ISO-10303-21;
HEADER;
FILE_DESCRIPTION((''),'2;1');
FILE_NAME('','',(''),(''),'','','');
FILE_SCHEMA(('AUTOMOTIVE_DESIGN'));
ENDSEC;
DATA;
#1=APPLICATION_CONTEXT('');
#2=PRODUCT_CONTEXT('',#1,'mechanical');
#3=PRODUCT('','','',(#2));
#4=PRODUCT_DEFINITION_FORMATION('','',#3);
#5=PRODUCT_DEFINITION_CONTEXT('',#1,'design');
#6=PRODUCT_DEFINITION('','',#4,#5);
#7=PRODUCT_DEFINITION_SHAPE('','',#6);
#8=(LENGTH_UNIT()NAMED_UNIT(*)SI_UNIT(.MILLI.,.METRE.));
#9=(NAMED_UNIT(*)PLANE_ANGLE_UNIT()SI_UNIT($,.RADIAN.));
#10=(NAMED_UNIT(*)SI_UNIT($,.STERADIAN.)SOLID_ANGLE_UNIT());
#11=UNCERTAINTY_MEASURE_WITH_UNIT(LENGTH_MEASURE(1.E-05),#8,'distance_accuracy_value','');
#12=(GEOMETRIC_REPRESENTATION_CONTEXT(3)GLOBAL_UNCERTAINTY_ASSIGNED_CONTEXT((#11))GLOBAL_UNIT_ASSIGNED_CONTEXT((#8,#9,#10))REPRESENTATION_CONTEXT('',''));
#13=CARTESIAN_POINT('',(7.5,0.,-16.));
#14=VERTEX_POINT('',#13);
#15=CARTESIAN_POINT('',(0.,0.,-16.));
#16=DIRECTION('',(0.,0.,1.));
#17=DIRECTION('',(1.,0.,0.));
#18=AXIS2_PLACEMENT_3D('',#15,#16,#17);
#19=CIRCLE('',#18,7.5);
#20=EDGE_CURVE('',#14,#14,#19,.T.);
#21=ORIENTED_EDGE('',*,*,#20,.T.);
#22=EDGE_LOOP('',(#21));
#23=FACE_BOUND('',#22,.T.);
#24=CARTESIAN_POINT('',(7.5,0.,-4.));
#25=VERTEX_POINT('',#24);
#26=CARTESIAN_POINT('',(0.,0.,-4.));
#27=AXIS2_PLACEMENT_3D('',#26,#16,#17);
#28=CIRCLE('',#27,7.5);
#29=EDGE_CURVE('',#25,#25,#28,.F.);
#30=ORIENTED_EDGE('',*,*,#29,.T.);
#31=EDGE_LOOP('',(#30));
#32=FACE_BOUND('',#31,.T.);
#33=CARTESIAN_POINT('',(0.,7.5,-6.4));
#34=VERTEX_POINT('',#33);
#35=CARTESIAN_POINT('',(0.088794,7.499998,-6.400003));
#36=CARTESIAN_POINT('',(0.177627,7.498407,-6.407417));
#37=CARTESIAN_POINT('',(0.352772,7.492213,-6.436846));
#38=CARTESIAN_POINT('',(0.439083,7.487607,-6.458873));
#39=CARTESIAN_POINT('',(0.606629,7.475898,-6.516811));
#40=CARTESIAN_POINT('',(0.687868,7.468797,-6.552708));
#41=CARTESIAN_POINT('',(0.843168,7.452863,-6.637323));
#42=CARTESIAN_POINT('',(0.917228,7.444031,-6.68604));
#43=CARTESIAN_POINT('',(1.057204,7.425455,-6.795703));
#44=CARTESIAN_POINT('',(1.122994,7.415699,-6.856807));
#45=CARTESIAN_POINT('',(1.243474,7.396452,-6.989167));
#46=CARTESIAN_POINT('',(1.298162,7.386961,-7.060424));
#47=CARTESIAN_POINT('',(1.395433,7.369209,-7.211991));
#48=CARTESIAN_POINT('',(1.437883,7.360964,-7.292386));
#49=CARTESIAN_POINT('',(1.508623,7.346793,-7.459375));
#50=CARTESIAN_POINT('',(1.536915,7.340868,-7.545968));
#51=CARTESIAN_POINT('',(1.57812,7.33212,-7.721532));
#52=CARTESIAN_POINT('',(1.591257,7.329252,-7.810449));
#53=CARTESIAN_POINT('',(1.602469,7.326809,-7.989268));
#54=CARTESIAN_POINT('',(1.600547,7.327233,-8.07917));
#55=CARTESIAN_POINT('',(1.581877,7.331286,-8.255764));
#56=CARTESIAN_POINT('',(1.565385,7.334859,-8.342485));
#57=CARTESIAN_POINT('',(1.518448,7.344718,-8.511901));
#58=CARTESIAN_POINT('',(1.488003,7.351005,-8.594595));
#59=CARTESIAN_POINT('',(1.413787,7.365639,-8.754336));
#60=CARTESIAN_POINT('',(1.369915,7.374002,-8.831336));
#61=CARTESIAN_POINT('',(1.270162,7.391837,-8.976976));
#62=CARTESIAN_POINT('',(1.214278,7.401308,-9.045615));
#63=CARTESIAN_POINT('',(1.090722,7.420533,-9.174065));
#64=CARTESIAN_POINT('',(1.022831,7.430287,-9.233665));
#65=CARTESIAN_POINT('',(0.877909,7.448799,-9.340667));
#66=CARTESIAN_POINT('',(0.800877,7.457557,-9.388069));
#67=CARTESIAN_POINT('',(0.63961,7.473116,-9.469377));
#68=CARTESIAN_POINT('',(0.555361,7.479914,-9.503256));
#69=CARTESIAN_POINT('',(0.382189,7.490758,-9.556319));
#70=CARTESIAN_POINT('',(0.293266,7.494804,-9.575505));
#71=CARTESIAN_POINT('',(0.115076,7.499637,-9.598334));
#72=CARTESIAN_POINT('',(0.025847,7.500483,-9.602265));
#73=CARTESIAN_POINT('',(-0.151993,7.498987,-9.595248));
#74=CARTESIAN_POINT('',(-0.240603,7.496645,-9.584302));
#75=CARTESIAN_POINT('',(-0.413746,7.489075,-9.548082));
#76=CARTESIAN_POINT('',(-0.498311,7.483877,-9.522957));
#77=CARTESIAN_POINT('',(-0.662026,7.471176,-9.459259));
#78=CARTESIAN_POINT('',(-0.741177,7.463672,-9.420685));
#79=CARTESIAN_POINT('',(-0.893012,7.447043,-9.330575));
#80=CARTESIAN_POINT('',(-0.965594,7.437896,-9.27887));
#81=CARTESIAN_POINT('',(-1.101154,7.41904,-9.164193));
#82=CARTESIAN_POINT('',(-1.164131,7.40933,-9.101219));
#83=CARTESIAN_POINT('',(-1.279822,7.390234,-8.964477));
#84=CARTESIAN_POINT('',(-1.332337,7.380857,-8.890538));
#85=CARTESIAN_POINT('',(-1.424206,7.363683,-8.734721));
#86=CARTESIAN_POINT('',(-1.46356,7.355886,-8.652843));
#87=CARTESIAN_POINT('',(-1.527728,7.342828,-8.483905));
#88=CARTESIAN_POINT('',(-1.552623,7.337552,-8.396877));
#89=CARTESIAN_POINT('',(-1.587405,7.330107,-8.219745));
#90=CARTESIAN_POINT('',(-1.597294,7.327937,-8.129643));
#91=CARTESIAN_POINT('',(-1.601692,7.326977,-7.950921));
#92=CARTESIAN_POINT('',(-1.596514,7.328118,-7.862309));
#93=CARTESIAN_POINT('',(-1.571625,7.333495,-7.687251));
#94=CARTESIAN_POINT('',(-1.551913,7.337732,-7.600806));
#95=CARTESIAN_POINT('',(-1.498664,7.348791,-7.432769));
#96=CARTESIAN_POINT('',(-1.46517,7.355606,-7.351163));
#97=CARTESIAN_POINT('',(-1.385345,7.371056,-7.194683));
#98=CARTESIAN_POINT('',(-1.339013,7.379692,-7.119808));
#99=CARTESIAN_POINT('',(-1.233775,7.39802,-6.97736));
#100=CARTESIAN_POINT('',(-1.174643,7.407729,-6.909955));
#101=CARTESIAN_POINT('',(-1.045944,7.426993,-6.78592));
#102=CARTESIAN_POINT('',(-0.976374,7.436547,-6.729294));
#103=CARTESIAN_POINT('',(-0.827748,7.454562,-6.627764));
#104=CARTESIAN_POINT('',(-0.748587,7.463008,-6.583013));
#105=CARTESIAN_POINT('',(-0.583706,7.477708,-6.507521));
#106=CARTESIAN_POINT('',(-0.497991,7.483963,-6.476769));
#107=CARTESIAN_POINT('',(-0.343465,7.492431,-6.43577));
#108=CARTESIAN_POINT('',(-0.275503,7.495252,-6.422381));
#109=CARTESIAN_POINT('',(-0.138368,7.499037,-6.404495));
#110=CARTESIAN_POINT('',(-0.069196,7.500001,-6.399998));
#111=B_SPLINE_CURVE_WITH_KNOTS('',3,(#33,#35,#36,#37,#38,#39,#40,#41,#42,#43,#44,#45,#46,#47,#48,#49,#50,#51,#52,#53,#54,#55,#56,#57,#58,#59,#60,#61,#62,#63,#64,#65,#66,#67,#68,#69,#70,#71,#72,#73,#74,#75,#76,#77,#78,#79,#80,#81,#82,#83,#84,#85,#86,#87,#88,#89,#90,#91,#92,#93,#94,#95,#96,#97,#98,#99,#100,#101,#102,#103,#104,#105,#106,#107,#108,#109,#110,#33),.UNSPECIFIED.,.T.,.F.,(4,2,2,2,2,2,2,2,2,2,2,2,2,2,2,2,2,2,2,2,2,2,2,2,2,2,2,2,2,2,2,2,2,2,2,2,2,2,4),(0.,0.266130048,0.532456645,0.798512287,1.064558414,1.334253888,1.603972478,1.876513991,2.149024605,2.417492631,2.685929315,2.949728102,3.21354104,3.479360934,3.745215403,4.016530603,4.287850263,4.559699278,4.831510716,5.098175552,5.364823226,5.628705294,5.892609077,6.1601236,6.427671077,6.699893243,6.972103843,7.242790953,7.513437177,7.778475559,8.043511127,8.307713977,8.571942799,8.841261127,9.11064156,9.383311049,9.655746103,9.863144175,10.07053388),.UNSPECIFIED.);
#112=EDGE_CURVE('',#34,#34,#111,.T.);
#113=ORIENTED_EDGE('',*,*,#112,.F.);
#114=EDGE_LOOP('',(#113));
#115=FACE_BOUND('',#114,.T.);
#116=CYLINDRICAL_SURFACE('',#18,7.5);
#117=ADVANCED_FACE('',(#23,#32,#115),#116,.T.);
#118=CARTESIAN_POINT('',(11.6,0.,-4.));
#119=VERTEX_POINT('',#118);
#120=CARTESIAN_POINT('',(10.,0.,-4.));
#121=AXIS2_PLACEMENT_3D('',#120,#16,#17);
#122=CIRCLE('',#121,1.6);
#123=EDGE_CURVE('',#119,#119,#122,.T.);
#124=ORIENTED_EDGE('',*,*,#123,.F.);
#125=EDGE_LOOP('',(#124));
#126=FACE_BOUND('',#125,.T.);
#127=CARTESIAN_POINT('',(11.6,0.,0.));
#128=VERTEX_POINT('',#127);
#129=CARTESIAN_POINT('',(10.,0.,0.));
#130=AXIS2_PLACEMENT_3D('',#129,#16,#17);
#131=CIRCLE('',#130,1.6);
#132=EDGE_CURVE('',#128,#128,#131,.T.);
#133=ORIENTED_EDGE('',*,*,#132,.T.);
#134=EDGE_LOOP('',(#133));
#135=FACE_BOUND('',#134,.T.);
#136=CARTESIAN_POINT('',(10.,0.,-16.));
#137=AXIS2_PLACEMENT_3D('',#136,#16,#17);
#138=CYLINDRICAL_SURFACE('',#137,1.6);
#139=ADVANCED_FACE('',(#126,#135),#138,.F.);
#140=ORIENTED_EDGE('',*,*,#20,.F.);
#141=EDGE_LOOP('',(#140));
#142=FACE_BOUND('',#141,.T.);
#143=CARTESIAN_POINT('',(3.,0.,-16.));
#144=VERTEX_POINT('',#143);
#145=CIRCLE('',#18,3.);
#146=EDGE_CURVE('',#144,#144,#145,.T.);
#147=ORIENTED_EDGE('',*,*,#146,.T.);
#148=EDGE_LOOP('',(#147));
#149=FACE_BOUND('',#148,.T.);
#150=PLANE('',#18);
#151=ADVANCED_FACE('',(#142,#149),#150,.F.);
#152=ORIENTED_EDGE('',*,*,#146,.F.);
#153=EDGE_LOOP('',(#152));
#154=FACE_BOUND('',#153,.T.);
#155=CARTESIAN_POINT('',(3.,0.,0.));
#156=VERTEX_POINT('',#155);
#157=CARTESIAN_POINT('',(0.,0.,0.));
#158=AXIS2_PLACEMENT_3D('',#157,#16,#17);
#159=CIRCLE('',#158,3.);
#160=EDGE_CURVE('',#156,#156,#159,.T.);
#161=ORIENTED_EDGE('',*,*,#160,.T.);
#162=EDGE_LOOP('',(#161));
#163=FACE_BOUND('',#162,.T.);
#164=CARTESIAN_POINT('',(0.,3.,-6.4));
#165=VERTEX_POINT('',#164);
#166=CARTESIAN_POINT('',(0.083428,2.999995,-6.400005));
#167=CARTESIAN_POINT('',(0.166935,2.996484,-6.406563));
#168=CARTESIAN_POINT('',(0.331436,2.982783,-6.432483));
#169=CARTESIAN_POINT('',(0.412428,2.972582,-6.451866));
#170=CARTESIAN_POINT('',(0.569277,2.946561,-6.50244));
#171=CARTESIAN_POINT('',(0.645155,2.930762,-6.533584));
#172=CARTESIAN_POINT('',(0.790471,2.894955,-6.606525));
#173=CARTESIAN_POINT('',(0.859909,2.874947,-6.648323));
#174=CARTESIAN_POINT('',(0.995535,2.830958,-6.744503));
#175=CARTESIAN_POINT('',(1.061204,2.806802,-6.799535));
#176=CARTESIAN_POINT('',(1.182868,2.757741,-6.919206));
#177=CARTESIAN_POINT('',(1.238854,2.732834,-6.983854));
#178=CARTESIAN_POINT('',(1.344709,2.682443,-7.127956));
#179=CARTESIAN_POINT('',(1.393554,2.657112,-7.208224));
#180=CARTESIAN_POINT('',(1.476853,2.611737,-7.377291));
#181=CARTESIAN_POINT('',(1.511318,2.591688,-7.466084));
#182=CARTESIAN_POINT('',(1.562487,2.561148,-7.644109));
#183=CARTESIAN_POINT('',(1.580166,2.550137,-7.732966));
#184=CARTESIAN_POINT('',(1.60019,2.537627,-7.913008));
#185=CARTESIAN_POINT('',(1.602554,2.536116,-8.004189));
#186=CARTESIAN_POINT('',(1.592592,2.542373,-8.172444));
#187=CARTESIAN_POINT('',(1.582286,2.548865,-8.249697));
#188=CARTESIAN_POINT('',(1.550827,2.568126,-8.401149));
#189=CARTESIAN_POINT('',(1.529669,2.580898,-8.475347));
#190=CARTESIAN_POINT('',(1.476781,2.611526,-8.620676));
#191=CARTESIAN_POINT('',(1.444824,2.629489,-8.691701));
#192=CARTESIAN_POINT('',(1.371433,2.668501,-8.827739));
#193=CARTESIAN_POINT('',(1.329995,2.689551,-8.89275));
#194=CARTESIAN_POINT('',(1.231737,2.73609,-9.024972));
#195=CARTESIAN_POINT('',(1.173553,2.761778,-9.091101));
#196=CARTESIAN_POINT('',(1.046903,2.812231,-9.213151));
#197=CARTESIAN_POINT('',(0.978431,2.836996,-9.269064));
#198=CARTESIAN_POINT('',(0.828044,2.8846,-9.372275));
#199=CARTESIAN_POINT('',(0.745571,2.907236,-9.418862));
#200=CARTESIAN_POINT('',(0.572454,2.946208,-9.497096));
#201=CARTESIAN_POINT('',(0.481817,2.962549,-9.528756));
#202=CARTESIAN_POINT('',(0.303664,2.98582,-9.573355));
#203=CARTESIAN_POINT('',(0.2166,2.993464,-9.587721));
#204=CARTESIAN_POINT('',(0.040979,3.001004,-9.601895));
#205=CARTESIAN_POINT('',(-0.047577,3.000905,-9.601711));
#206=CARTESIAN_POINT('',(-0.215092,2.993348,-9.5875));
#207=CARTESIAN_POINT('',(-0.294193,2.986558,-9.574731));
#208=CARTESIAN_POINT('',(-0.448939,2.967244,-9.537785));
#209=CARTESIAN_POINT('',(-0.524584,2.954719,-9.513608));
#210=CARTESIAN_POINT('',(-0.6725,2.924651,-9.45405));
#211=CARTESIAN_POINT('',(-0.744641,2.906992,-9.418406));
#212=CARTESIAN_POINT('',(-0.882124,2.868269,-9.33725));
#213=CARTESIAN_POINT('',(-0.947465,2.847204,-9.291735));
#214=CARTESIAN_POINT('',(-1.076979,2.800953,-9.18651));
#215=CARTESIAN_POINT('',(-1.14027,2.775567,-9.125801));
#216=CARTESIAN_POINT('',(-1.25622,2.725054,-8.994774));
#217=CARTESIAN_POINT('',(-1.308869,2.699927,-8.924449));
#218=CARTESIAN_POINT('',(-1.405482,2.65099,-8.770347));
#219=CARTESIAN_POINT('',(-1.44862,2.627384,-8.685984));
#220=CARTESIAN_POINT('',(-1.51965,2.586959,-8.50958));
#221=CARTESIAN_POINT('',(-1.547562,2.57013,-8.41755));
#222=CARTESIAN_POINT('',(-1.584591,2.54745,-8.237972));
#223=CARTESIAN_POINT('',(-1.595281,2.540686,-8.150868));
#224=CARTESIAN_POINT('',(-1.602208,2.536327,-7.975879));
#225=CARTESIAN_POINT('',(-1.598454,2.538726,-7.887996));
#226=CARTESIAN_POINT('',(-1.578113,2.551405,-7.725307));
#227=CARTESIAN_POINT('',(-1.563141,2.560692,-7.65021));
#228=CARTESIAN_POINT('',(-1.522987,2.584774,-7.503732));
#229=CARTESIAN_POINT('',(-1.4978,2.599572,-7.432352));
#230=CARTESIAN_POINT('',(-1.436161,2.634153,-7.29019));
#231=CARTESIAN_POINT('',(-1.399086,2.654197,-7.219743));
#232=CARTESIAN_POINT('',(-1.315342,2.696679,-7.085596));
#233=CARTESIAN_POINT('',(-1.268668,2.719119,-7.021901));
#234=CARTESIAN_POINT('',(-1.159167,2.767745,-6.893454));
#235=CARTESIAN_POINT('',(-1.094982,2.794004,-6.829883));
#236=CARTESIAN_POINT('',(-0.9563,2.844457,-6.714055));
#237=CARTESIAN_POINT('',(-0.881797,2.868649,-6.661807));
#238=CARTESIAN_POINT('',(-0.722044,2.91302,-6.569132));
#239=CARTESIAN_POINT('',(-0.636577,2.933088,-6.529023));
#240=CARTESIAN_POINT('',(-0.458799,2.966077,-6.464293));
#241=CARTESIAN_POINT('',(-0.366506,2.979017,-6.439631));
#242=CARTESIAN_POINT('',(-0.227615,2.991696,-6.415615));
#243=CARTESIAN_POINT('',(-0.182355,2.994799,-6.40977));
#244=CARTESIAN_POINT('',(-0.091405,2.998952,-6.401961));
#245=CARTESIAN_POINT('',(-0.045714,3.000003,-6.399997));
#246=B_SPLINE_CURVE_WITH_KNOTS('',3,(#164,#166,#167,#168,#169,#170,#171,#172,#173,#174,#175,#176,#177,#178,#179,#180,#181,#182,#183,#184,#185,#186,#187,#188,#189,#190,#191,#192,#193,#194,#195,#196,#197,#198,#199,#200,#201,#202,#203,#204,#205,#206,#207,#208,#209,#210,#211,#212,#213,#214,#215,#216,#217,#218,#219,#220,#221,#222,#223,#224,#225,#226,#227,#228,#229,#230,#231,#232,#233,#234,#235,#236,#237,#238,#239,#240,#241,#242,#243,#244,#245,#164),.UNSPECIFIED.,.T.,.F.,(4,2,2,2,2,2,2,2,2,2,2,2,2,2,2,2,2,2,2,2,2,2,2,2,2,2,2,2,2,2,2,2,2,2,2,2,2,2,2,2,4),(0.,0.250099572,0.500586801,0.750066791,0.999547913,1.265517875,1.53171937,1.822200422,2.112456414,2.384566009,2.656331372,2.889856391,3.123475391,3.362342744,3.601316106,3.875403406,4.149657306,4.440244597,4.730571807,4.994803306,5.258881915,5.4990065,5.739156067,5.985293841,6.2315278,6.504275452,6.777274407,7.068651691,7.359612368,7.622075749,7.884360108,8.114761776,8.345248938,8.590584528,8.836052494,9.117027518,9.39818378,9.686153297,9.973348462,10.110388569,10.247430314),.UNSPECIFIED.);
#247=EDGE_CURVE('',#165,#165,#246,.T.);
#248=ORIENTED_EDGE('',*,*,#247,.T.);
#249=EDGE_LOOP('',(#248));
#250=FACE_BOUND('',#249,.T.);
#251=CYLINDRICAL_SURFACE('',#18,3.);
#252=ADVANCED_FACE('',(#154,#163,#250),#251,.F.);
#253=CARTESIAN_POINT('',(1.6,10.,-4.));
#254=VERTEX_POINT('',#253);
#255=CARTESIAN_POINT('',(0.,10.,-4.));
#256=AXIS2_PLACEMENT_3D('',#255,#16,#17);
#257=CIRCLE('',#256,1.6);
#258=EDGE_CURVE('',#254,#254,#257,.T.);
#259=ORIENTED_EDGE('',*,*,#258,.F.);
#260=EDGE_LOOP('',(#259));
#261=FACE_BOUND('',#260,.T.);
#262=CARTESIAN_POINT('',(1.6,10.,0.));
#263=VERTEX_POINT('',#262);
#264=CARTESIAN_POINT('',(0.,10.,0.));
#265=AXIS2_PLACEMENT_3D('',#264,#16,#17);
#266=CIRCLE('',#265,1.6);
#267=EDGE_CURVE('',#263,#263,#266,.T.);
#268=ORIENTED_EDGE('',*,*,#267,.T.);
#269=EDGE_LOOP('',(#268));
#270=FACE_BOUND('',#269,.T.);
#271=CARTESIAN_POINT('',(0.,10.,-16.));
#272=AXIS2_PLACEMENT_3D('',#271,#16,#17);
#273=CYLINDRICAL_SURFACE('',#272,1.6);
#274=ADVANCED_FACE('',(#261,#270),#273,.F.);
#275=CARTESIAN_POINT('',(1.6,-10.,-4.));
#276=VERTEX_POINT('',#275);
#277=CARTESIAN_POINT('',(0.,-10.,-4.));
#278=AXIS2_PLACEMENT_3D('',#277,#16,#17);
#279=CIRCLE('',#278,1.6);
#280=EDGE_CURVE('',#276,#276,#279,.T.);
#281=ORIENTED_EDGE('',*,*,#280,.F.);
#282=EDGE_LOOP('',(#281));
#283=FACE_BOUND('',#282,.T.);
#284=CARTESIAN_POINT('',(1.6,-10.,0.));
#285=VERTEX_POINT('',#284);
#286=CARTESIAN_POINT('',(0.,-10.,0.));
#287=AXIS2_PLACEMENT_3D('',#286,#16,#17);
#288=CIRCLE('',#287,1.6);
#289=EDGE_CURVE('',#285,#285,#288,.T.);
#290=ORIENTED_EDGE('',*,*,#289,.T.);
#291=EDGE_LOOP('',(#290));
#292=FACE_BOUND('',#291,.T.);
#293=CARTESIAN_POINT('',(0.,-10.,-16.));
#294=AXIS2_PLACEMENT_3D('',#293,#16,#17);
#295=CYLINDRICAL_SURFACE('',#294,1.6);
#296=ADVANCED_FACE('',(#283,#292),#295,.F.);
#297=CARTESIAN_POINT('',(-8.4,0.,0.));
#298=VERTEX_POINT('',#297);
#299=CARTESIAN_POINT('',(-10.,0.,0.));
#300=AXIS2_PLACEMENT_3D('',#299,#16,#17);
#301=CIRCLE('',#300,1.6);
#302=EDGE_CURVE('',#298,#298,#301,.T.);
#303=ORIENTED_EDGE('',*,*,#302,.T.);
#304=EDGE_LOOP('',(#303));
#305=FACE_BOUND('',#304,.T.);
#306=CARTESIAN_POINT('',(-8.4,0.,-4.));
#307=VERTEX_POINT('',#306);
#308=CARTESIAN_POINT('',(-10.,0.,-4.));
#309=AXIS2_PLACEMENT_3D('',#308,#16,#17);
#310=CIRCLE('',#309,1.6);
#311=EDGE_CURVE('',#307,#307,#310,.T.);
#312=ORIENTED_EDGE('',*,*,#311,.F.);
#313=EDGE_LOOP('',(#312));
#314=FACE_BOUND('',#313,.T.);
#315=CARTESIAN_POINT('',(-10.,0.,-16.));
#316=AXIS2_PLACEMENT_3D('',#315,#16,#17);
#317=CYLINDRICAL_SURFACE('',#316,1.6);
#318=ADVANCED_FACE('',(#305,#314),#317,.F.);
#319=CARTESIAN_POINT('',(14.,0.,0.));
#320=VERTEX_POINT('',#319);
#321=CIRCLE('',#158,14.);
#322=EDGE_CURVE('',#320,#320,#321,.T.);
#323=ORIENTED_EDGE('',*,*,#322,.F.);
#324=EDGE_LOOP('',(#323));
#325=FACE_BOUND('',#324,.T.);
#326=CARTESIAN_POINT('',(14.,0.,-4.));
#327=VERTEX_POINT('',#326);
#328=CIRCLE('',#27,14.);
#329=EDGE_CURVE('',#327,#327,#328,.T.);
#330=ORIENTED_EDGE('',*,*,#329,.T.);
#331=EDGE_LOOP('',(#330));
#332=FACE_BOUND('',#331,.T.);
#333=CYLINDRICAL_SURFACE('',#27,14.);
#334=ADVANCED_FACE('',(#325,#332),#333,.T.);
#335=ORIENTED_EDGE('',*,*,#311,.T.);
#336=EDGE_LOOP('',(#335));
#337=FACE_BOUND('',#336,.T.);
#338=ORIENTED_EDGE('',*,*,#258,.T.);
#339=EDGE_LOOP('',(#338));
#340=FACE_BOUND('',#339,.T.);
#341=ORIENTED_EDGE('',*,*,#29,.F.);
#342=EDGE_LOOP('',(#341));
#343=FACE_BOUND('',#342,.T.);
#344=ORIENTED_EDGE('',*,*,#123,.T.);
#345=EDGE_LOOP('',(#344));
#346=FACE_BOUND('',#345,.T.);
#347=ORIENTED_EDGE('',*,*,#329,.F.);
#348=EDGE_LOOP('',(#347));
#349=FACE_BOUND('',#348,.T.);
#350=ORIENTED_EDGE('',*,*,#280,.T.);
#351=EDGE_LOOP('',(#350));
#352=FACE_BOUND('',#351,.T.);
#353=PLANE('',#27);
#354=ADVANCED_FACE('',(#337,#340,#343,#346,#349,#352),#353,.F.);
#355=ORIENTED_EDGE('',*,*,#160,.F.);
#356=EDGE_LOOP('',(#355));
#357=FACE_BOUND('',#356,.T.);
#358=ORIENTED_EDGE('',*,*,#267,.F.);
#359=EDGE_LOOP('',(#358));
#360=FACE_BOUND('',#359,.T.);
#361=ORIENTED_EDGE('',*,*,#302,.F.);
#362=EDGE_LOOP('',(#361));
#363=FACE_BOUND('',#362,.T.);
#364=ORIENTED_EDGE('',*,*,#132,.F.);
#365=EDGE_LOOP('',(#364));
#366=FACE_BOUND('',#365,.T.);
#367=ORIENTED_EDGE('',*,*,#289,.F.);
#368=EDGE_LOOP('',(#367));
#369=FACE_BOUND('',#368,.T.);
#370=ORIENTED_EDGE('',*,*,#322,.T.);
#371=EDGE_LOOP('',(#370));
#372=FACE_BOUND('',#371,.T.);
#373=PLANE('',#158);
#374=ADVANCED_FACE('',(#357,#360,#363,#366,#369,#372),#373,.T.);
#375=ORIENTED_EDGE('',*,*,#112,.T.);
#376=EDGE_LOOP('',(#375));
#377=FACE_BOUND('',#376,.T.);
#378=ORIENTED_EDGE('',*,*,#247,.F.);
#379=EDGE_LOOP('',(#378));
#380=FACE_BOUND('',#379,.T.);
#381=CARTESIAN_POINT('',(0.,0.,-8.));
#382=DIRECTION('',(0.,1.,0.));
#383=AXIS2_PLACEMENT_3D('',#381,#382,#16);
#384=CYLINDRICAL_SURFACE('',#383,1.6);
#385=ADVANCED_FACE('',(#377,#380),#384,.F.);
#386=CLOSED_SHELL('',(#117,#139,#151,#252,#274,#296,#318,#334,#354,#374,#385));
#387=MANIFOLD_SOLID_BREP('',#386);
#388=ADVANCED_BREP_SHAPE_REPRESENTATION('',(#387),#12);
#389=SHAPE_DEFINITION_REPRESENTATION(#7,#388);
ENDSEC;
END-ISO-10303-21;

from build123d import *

# Parameters (mm, degrees)
SKETCH_1_R          = 7.5
EXTRUDE_1_DEPTH     = 16
SKETCH_2_R          = 14
EXTRUDE_2_DEPTH     = 4
SKETCH_3_R          = 3
SKETCH_3_R_2        = 1.6
CUT_EXTRUDE_1_DEPTH = 26.455844123
SKETCH_4_R          = 1.6
CUT_EXTRUDE_2_DEPTH = 7.5


with BuildPart() as part:
    # ｽｹｯﾁ1 → ﾎﾞｽ - 押し出し1 (new body)
    with BuildSketch(Plane.XY):
        Circle(SKETCH_1_R)
    extrude(amount=-EXTRUDE_1_DEPTH)

    # ｽｹｯﾁ2 → ﾎﾞｽ - 押し出し2 (add)
    with BuildSketch(Plane.XY):
        Circle(SKETCH_2_R)
    extrude(amount=-EXTRUDE_2_DEPTH)

    # ｽｹｯﾁ3 → ｶｯﾄ - 押し出し1 (cut, through all)
    with BuildSketch(Plane.XY):
        Circle(SKETCH_3_R)
        with Locations((10, 0)):
            Circle(SKETCH_3_R_2)
        with Locations((0, -10)):
            Circle(SKETCH_3_R_2)
        with Locations((-10, 0)):
            Circle(SKETCH_3_R_2)
        with Locations((0, 10)):
            Circle(SKETCH_3_R_2)
    extrude(amount=-CUT_EXTRUDE_1_DEPTH, mode=Mode.SUBTRACT)

    # ｽｹｯﾁ4 → ｶｯﾄ - 押し出し2 (cut)
    with BuildSketch(Plane(origin=(0, 7.5, 0), x_dir=(1, 0, 0), z_dir=(0, 1, 0))):
        with Locations(Location((0, 8, 0), (0, 0, 270))):
            Circle(SKETCH_4_R)
    extrude(amount=-CUT_EXTRUDE_2_DEPTH, mode=Mode.SUBTRACT)


solid = part.part
